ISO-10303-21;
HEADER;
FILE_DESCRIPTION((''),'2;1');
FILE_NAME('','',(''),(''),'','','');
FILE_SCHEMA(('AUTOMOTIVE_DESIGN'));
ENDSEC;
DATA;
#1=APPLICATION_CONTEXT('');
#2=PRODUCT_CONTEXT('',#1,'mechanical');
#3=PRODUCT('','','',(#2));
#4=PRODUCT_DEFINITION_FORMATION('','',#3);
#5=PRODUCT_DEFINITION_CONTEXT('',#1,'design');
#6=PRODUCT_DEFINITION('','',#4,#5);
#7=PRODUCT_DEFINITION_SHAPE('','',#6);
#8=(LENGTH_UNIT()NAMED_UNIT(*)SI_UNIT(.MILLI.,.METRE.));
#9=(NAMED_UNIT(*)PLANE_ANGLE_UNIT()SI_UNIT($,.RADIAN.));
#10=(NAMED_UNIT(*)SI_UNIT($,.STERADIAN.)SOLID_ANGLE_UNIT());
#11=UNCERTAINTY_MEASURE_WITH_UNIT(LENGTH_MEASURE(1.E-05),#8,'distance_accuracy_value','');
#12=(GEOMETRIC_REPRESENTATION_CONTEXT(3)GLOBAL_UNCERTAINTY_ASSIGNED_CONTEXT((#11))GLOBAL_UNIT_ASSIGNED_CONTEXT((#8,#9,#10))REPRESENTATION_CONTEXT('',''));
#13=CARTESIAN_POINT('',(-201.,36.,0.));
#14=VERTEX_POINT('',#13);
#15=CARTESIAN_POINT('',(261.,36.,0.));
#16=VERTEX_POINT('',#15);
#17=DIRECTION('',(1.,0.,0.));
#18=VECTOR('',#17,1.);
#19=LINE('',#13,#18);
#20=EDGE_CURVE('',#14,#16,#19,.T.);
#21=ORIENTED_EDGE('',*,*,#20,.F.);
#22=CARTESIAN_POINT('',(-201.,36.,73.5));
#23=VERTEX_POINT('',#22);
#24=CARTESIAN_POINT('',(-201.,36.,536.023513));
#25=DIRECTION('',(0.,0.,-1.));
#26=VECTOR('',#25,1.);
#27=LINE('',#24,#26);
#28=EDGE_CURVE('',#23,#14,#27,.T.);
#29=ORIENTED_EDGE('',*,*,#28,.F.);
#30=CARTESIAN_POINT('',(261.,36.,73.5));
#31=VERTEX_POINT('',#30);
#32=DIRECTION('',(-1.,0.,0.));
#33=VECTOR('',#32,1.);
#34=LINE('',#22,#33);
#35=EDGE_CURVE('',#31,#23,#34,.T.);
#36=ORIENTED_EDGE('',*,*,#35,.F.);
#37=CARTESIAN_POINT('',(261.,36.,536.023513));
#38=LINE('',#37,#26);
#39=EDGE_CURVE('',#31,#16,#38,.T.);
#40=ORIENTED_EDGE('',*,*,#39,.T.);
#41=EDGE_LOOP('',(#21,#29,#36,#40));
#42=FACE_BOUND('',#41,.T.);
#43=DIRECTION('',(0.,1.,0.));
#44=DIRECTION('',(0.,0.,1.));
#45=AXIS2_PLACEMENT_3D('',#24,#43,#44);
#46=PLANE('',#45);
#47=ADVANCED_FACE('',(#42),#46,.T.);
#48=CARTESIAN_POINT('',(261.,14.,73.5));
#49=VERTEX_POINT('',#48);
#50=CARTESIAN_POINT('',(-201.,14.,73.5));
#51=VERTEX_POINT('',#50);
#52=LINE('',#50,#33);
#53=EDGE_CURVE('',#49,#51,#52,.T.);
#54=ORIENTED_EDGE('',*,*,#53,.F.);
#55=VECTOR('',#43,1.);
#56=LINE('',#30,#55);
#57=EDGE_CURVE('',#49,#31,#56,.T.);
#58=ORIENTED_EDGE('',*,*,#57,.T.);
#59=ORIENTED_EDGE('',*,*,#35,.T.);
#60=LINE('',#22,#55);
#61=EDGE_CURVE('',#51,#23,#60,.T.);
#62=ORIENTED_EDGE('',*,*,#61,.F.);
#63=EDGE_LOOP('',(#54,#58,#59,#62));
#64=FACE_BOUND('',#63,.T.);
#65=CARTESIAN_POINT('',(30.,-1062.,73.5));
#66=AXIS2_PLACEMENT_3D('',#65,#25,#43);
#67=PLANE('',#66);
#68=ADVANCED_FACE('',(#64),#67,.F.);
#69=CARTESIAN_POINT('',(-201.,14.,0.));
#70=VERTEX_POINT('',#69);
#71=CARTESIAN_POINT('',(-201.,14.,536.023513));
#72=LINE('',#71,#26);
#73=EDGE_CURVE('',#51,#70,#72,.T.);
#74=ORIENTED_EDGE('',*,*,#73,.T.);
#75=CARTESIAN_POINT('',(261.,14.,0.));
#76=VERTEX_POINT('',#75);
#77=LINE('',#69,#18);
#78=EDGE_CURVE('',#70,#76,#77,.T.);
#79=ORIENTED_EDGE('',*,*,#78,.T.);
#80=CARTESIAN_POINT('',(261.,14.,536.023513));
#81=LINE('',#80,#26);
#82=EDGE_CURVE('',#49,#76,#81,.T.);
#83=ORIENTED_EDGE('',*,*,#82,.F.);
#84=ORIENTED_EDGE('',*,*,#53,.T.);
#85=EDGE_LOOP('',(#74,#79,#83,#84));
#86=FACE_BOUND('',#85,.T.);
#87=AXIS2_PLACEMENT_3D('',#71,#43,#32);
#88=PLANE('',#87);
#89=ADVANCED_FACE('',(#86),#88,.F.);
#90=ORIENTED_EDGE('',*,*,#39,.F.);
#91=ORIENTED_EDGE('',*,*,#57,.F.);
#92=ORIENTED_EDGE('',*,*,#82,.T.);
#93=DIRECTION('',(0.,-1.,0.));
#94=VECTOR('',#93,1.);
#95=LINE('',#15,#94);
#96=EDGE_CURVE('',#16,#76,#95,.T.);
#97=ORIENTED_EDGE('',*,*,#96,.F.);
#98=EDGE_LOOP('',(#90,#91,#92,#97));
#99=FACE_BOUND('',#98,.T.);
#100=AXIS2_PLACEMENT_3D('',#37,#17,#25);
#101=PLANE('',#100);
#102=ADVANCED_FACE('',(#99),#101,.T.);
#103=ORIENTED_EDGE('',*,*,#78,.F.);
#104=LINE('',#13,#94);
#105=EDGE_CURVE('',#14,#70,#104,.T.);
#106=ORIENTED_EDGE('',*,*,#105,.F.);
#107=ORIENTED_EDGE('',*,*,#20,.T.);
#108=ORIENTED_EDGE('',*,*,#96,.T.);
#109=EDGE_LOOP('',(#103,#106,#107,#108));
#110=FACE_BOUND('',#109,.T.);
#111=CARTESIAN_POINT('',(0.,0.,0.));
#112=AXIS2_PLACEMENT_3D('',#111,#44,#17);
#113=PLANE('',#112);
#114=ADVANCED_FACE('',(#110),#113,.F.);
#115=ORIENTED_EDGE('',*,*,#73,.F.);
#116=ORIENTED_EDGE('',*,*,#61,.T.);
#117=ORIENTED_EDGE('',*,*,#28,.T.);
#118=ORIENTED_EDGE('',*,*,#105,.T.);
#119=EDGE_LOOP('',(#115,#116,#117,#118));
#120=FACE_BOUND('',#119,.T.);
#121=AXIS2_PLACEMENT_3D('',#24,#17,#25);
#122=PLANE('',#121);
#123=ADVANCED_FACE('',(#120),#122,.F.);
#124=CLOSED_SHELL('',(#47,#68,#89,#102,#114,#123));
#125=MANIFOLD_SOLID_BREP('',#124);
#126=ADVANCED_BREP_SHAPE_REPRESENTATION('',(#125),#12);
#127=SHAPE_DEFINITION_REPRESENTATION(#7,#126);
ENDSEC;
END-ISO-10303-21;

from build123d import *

# Parameters (mm, degrees)
ESQUISSE1_W        = 462
ESQUISSE1_H        = 22
BOSS_EXTRU_1_DEPTH = 73.5


with BuildPart() as part:
    # Esquisse1 → Boss.-Extru.1 (new body)
    with BuildSketch(Plane.XY):
        with Locations((30, 25)):
            Rectangle(ESQUISSE1_W, ESQUISSE1_H)
    extrude(amount=BOSS_EXTRU_1_DEPTH)


solid = part.part
